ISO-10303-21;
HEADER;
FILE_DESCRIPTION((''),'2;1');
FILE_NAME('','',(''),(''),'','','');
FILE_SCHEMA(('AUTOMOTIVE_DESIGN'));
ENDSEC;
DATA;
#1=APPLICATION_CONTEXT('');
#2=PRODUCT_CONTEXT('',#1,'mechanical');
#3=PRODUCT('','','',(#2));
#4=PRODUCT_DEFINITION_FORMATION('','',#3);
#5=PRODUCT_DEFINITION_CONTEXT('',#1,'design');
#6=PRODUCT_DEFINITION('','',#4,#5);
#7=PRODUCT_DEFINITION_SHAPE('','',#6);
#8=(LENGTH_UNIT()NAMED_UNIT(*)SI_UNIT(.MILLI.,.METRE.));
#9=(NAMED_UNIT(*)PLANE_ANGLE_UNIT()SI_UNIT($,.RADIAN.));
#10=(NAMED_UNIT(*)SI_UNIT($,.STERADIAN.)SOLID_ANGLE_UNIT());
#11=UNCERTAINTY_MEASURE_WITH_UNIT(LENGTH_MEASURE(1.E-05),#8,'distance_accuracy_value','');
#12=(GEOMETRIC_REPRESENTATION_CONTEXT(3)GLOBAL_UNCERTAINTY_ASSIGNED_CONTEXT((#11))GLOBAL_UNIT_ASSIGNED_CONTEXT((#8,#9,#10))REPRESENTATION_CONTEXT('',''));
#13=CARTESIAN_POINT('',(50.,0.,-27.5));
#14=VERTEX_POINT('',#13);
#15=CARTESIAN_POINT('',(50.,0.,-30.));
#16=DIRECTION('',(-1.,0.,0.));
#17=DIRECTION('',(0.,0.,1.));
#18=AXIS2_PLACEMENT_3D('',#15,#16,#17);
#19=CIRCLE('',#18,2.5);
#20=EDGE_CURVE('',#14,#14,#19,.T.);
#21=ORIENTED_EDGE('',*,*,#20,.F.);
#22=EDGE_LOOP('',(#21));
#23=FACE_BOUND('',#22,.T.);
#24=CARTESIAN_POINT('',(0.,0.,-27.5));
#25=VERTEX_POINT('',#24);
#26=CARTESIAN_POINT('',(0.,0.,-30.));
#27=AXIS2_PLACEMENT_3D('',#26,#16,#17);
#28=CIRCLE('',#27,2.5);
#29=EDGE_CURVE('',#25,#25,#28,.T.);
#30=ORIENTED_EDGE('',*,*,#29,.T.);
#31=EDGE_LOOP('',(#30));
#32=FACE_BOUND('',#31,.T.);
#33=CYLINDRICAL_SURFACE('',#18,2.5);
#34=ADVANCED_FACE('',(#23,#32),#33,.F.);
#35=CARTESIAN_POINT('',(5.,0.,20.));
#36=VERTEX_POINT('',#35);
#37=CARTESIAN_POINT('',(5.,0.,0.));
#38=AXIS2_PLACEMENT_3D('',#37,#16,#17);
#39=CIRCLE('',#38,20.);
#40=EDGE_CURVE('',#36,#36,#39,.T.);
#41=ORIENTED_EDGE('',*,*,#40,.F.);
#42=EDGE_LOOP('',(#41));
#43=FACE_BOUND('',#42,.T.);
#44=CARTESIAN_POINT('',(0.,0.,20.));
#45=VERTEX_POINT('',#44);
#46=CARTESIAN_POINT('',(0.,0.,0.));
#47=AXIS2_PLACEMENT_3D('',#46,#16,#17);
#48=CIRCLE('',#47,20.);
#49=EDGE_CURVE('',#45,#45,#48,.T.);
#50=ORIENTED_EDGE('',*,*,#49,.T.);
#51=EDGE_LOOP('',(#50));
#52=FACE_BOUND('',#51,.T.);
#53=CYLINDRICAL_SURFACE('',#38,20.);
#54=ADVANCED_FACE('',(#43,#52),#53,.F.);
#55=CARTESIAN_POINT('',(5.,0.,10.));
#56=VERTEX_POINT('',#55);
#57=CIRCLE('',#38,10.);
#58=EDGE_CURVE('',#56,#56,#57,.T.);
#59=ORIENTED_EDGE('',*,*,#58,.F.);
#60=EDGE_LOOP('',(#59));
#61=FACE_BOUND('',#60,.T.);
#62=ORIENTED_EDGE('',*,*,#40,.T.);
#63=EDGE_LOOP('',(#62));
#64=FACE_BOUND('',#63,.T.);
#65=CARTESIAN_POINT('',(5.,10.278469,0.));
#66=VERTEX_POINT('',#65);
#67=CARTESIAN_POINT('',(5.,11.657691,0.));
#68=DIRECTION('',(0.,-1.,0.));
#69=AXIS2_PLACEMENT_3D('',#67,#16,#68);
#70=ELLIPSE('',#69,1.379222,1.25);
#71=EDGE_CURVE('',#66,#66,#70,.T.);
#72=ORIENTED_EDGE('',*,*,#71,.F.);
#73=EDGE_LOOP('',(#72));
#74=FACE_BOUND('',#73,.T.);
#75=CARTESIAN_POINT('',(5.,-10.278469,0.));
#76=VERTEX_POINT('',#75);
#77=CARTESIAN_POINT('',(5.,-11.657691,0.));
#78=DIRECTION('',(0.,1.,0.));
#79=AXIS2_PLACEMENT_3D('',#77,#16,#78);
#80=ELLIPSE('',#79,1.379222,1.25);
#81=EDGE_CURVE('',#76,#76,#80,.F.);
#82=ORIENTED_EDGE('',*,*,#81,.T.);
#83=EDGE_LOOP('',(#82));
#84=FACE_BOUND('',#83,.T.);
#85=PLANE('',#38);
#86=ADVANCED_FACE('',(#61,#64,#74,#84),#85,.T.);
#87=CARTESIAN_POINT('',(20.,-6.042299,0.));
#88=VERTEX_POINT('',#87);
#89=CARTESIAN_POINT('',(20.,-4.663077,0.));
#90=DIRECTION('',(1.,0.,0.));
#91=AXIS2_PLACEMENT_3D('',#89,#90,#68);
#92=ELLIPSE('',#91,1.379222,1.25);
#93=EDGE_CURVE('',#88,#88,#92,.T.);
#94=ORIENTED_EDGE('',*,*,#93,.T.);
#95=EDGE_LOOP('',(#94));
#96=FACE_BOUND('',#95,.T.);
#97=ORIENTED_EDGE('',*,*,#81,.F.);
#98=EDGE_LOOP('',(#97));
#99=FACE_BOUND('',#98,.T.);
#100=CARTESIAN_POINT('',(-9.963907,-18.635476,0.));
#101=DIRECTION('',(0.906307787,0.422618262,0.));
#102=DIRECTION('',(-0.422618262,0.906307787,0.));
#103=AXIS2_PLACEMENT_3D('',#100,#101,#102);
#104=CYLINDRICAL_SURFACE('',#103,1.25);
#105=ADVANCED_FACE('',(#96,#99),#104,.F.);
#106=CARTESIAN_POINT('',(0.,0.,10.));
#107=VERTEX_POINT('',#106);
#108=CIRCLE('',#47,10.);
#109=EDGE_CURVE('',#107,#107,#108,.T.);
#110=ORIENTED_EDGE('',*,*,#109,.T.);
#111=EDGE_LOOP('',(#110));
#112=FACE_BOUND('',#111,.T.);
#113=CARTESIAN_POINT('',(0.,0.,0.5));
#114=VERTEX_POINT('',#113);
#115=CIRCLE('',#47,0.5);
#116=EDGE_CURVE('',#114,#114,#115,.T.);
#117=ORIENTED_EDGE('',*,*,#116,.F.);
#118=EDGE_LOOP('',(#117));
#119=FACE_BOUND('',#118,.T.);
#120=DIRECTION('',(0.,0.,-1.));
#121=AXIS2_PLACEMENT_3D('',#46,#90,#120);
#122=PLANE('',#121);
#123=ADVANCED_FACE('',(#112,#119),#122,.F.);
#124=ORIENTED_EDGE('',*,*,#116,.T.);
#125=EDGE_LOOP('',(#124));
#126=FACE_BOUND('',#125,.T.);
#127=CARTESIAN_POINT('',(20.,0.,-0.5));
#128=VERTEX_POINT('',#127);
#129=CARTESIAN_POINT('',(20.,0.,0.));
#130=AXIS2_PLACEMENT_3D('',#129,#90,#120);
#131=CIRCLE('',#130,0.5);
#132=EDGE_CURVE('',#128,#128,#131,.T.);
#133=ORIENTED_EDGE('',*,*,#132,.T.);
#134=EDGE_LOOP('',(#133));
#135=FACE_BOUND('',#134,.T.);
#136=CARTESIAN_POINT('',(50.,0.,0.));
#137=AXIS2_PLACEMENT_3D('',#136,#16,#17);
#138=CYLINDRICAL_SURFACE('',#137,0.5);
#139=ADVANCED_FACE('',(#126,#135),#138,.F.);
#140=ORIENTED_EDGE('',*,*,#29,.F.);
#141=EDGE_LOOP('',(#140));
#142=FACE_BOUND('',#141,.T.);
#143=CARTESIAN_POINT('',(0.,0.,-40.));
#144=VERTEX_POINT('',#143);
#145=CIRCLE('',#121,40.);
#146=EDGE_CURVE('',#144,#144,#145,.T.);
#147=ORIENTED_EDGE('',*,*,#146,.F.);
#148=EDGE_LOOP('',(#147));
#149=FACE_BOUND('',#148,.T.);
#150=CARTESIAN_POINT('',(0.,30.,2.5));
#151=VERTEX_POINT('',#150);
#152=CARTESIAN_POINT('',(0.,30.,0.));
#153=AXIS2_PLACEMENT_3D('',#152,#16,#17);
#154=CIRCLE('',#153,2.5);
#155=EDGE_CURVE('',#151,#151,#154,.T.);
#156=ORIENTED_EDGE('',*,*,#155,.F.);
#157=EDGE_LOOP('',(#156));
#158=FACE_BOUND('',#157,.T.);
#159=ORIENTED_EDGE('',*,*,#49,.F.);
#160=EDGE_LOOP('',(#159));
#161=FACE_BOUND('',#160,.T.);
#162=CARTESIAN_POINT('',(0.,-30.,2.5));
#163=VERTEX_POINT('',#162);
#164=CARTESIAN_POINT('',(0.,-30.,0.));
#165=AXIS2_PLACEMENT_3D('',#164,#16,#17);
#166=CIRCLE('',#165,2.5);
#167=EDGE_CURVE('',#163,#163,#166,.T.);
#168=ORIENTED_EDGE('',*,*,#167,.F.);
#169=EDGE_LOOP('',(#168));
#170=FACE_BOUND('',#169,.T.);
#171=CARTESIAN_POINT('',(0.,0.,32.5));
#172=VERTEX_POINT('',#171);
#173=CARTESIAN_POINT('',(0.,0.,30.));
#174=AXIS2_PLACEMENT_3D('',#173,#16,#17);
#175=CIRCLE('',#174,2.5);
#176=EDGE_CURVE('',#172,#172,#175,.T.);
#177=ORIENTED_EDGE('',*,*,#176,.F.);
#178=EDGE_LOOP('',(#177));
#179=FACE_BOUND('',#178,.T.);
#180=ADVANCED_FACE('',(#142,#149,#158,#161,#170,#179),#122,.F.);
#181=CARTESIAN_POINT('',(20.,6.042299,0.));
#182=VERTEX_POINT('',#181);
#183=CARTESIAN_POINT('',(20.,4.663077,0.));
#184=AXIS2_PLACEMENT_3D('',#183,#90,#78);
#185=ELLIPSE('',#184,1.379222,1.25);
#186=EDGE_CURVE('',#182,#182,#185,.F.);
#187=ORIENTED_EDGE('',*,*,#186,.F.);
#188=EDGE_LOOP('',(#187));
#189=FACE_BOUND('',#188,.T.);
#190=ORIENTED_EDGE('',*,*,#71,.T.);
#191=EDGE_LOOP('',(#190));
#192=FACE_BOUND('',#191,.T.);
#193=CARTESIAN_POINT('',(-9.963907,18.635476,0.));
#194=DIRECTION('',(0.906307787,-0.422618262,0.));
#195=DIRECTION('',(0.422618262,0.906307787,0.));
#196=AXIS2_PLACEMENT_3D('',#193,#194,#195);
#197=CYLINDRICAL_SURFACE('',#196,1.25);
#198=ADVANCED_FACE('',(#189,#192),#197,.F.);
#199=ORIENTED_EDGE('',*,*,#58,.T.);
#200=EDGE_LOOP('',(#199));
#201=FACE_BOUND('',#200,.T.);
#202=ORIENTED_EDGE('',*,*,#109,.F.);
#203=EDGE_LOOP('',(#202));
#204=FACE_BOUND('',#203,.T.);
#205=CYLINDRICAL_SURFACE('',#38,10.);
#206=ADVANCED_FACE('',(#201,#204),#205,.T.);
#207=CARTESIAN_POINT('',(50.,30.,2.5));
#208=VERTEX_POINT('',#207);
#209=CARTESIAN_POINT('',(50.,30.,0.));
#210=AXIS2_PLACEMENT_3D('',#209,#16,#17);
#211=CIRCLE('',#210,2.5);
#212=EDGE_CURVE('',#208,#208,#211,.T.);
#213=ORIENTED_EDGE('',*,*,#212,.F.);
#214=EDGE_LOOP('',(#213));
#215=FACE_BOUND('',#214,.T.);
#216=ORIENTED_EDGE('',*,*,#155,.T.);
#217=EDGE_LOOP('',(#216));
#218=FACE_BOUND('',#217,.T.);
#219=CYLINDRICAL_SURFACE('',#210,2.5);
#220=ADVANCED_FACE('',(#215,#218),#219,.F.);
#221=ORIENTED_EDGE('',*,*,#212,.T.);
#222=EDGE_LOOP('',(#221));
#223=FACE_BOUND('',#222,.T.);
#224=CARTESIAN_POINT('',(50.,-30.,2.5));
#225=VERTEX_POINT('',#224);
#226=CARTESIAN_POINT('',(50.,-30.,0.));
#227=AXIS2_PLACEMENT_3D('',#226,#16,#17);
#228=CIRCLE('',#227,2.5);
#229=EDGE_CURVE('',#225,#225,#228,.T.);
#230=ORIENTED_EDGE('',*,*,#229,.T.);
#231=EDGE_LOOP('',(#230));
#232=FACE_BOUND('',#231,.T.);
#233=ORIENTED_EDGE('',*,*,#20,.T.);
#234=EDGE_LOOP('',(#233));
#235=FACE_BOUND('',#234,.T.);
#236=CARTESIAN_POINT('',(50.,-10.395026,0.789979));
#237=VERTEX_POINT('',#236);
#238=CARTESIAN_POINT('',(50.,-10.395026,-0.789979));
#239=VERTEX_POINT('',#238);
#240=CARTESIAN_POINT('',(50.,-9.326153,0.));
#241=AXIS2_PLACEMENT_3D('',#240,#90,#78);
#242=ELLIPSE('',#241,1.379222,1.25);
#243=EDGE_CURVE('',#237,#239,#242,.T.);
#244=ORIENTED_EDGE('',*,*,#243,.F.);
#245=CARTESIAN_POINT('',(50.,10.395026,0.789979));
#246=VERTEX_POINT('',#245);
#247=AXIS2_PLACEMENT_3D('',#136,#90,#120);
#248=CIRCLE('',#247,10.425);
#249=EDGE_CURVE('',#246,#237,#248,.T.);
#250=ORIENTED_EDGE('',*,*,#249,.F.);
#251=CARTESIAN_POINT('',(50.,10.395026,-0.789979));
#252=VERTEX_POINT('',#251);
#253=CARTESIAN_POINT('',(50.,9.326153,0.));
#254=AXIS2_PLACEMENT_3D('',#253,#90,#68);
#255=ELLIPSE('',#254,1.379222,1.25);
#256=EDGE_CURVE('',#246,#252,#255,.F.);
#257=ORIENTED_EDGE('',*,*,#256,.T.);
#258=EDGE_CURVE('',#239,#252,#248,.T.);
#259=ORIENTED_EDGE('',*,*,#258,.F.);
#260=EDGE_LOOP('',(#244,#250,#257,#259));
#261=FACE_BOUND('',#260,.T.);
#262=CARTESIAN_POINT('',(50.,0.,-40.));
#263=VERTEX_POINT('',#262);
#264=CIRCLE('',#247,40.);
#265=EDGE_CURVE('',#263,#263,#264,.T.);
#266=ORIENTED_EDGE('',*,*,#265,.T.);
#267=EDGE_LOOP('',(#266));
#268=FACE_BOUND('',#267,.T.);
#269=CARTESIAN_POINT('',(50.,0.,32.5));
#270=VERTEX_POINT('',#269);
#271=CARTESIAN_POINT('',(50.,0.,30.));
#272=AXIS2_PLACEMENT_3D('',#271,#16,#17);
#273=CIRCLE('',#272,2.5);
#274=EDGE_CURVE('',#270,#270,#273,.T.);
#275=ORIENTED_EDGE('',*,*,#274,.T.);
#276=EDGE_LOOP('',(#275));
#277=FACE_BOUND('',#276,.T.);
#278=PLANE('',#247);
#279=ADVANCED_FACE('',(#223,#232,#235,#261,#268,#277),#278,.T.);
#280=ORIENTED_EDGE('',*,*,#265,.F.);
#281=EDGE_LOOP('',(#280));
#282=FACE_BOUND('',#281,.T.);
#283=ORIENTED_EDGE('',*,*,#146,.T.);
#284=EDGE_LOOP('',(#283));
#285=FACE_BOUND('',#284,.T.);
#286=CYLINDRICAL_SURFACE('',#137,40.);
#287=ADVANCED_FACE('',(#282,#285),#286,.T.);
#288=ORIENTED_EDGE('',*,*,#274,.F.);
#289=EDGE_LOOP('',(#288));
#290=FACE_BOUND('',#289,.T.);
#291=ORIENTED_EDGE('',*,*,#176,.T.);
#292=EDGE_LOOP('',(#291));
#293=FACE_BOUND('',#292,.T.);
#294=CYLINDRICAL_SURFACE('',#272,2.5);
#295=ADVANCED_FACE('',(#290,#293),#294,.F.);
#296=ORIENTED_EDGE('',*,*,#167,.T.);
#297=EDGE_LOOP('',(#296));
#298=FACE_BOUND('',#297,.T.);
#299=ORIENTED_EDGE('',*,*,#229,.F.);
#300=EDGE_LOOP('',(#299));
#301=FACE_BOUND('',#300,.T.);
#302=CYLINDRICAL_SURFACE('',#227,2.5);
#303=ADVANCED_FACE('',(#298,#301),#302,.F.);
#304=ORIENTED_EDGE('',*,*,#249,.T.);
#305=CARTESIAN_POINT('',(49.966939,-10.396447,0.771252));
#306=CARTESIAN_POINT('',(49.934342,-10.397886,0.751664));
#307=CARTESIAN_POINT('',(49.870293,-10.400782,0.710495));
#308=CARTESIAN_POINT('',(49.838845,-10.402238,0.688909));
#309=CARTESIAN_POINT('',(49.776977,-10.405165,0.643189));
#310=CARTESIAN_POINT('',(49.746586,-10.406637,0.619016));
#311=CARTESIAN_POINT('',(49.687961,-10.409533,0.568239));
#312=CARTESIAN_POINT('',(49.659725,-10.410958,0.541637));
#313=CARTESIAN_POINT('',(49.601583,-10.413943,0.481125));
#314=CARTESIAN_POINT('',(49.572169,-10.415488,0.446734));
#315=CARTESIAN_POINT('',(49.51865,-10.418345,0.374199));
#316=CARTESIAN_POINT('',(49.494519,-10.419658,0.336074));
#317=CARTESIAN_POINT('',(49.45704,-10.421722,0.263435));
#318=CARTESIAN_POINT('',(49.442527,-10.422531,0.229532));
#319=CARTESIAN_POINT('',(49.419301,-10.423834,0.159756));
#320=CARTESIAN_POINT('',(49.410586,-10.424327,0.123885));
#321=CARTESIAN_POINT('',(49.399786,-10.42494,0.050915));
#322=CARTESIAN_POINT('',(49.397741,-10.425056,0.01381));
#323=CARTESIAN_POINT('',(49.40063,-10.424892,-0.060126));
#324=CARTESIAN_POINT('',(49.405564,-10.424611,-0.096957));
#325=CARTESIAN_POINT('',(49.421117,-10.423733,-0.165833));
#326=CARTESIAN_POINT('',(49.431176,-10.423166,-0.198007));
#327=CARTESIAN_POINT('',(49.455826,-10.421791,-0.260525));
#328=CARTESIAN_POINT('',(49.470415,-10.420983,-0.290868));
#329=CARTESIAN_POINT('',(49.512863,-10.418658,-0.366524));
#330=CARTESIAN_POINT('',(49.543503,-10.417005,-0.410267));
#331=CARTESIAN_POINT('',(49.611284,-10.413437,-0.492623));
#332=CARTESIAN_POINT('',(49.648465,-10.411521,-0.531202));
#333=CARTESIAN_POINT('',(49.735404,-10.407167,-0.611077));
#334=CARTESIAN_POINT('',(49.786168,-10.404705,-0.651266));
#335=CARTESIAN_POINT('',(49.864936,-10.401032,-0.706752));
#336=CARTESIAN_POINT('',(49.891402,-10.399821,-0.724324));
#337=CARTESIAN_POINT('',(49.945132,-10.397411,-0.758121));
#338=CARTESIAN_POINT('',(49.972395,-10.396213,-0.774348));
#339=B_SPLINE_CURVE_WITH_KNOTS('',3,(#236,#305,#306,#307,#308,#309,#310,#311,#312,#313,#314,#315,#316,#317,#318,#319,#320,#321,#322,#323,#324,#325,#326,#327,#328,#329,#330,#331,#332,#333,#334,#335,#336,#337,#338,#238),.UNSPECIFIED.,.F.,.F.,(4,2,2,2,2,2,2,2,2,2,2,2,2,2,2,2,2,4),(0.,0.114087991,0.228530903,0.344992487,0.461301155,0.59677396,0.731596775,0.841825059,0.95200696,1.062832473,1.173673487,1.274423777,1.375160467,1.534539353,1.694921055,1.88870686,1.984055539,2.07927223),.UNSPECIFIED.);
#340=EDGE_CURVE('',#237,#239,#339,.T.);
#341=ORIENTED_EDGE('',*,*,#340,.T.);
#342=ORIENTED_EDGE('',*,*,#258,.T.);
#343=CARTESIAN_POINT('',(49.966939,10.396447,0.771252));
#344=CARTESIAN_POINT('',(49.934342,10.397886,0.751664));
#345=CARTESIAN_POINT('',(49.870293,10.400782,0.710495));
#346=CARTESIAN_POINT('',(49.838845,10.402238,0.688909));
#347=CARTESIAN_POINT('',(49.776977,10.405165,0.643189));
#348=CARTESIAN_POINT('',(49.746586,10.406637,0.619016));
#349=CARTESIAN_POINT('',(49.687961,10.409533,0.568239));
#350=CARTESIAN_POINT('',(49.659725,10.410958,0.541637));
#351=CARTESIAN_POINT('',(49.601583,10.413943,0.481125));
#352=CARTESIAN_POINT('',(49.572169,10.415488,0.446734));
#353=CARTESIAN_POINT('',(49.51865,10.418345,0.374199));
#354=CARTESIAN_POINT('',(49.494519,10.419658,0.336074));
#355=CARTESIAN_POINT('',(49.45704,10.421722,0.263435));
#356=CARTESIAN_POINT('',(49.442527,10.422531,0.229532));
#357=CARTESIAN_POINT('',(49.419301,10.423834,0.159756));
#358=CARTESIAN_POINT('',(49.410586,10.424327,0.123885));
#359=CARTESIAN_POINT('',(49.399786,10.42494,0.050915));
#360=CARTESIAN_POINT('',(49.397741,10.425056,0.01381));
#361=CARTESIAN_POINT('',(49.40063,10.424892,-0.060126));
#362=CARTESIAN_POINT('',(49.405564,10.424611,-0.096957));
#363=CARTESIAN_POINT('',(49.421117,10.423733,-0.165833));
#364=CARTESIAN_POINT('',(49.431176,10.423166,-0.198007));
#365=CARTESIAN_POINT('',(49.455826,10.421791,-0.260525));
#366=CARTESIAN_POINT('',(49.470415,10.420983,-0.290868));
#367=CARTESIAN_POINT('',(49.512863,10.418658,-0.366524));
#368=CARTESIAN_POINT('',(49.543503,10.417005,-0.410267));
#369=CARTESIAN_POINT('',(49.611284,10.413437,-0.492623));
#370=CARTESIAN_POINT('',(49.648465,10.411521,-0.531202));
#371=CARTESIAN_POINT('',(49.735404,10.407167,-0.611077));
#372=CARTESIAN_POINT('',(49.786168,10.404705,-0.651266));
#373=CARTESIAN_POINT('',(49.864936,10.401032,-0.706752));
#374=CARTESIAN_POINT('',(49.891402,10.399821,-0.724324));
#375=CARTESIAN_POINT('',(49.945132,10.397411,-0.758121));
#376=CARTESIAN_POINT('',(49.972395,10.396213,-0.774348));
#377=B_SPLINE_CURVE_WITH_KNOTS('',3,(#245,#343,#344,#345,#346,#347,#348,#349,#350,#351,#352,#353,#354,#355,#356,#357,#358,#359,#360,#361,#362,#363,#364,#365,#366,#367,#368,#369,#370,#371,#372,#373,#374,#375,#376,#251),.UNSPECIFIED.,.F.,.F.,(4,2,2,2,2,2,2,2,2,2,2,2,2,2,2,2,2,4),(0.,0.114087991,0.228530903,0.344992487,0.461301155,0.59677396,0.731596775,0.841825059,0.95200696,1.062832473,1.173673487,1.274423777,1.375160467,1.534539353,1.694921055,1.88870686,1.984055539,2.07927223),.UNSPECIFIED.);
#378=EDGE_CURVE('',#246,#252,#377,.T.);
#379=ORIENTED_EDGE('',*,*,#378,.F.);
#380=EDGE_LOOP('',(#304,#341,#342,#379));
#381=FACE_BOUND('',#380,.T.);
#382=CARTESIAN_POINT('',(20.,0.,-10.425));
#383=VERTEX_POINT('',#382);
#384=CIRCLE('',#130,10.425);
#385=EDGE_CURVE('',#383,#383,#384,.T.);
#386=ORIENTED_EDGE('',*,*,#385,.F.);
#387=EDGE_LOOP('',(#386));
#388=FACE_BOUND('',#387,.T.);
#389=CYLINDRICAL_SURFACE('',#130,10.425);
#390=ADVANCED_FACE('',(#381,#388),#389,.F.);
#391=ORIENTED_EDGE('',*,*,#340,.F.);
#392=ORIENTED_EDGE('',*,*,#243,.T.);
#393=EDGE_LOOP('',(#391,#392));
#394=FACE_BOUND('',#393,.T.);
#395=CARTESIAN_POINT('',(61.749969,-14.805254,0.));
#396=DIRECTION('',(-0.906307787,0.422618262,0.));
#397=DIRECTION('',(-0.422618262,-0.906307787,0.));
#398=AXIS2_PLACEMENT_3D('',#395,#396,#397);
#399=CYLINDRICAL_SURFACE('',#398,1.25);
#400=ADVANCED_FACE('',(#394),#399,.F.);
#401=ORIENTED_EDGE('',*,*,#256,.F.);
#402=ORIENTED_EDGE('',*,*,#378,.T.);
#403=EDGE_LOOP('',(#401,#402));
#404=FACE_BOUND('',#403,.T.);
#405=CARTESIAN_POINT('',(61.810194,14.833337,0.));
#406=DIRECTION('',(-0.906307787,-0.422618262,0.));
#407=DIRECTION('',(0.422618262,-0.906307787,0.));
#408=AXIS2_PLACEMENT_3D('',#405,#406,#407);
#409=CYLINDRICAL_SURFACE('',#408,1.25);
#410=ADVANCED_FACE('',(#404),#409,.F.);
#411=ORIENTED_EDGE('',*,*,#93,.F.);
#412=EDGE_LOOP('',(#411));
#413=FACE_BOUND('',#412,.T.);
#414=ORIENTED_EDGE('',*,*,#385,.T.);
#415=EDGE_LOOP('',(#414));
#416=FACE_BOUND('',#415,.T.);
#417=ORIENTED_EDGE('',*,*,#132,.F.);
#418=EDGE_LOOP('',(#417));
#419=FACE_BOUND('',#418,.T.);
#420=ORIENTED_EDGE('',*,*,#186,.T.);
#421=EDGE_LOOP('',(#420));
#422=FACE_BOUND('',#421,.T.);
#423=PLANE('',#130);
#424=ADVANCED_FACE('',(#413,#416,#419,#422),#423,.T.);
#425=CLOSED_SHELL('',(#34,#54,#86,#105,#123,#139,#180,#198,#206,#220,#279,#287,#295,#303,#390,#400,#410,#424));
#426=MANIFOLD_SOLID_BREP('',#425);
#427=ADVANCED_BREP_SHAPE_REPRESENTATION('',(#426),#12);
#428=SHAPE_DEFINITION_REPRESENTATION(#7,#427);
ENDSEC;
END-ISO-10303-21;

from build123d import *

# Parameters (mm, degrees)
SKETCH1_R                                  = 40
BOSS_EXTRUDE1_DEPTH                        = 50
SKETCH2_R                                  = 10.425
CUT_EXTRUDE1_DEPTH                         = 30
SKETCH3_R                                  = 20
SKETCH3_R_2                                = 10
CUT_EXTRUDE2_DEPTH                         = 5
SKETCH4_R                                  = 0.5
CUT_EXTRUDE3_DEPTH                         = 76.498344353
SKETCH5_R                                  = 2.5
CUT_EXTRUDE4_DEPTH                         = 76.498344353
CUT_EXTRUDE5_START                         = -49.839677
SKETCH7_R                                  = 1.25
CUT_EXTRUDE5_DEPTH                         = 50.817776
MIRROR1_START                              = -49.839677
MIRROR1_AT_THE_SECOND_PLANE_COPY_1_SKETC_R = 1.25
MIRROR1_AT_THE_SECOND_PLANE_COPY_1_DEPTH   = 50.817776


with BuildPart() as part:
    # Sketch1 → Boss-Extrude1 (new body)
    with BuildSketch(Plane(origin=(0, 0, 0), x_dir=(0, 0, -1), z_dir=(1, 0, 0))):
        Circle(SKETCH1_R)
    extrude(amount=BOSS_EXTRUDE1_DEPTH)

    # Sketch2 → Cut-Extrude1 (cut)
    with BuildSketch(Plane(origin=(50, 0, 0), x_dir=(0, 0, -1), z_dir=(1, 0, 0))):
        Circle(SKETCH2_R)
    extrude(amount=-CUT_EXTRUDE1_DEPTH, mode=Mode.SUBTRACT)

    # Sketch3 → Cut-Extrude2 (cut)
    with BuildSketch(Plane.ZY):
        Circle(SKETCH3_R)
        Circle(SKETCH3_R_2, mode=Mode.SUBTRACT)
    extrude(amount=-CUT_EXTRUDE2_DEPTH, mode=Mode.SUBTRACT)

    # Sketch4 → Cut-Extrude3 (cut, through all)
    with BuildSketch(Plane.ZY):
        Circle(SKETCH4_R)
    extrude(amount=-CUT_EXTRUDE3_DEPTH, mode=Mode.SUBTRACT)

    # Sketch5 → Cut-Extrude4 (cut, through all)
    with BuildSketch(Plane.ZY):
        with Locations((0, 30)):
            Circle(SKETCH5_R)
        with Locations((30, 0)):
            Circle(SKETCH5_R)
        with Locations((0, -30)):
            Circle(SKETCH5_R)
        with Locations((-30, 0)):
            Circle(SKETCH5_R)
    extrude(amount=-CUT_EXTRUDE4_DEPTH, mode=Mode.SUBTRACT)

    # Sketch7 → Cut-Extrude5 (cut)
    with BuildSketch(Plane(origin=(0, 0, 0), x_dir=(0, 0, 1), z_dir=(-0.9063077870366496, 0.42261826174070033, 0)).offset(CUT_EXTRUDE5_START)):
        with Locations(Location((0, 12.678547852, 0), (0, 0, 90))):
            Circle(SKETCH7_R)
    cut_extrude5 = extrude(amount=CUT_EXTRUDE5_DEPTH, mode=Mode.SUBTRACT)

    # Mirror1: Cut-Extrude5 across plane
    add(cut_extrude5.mirror(Plane.ZX), mode=Mode.SUBTRACT)

    # Mirror1 at the second plane: Cut-Extrude5 across plane
    add(cut_extrude5.mirror(Plane.XY), mode=Mode.SUBTRACT)

    # Mirror1 at the second plane copy 1 sketc → Mirror1 at the second plane copy 1 (cut)
    with BuildSketch(Plane(origin=(0, 0, 0), x_dir=(0, 0, -1), z_dir=(-0.9063077870366496, -0.42261826174070033, 0)).offset(MIRROR1_START)):
        with Locations(Location((0, 12.678547852, 0), (0, 0, 90))):
            Circle(MIRROR1_AT_THE_SECOND_PLANE_COPY_1_SKETC_R)
    extrude(amount=MIRROR1_AT_THE_SECOND_PLANE_COPY_1_DEPTH, mode=Mode.SUBTRACT)


solid = part.part
